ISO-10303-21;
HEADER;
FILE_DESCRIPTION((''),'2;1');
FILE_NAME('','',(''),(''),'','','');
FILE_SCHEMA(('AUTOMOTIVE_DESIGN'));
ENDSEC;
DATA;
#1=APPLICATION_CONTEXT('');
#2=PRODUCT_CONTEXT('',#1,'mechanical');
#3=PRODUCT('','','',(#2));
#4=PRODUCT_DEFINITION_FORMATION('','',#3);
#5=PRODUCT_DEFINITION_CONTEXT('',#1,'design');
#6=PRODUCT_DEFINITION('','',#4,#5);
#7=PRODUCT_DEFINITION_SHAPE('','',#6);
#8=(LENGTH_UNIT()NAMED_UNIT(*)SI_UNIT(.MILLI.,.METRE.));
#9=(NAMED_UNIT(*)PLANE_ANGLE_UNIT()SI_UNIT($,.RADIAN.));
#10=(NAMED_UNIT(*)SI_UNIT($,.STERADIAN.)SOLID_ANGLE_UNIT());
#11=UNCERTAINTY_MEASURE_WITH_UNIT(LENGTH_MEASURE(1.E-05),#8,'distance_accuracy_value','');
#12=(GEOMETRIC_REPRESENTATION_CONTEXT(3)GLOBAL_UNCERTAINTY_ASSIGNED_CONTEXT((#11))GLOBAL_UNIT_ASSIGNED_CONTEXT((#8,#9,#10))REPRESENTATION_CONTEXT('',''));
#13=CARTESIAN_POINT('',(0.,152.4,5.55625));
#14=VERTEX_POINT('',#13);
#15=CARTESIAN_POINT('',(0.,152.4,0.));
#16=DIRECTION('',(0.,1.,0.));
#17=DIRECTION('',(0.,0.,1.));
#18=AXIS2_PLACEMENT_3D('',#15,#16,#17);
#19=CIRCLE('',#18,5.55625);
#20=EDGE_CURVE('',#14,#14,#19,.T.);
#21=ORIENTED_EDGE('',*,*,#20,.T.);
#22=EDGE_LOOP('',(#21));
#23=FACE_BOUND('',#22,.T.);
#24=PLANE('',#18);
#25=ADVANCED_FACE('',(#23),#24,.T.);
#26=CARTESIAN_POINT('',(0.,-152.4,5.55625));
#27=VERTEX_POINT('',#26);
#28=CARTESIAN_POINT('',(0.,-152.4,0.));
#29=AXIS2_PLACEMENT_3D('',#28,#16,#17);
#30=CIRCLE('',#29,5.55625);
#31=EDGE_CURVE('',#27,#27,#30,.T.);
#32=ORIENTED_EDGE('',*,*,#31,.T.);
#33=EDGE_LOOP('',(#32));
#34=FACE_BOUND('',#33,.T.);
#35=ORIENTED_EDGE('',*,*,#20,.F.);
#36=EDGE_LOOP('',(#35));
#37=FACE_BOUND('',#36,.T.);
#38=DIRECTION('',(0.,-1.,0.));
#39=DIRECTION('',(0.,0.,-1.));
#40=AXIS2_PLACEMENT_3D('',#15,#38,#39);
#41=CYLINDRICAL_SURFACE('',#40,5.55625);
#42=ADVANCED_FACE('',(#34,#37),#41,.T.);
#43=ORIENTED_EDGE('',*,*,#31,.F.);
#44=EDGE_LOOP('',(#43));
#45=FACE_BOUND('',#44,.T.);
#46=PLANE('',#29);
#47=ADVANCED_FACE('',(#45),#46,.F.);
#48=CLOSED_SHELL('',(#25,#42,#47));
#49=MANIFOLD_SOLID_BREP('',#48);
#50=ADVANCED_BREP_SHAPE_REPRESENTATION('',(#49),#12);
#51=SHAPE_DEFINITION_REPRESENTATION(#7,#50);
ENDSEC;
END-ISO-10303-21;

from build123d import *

# Parameters (mm, degrees)
SKETCH1_R           = 5.55625
BOSS_EXTRUDE1_DEPTH = 152.4


with BuildPart() as part:
    # Sketch1 → Boss-Extrude1 (new body, symmetric)
    with BuildSketch(Plane(origin=(0, 0, 0), x_dir=(1, 0, 0), z_dir=(0, 1, 0))):
        Circle(SKETCH1_R)
    extrude(amount=BOSS_EXTRUDE1_DEPTH, both=True)


solid = part.part
